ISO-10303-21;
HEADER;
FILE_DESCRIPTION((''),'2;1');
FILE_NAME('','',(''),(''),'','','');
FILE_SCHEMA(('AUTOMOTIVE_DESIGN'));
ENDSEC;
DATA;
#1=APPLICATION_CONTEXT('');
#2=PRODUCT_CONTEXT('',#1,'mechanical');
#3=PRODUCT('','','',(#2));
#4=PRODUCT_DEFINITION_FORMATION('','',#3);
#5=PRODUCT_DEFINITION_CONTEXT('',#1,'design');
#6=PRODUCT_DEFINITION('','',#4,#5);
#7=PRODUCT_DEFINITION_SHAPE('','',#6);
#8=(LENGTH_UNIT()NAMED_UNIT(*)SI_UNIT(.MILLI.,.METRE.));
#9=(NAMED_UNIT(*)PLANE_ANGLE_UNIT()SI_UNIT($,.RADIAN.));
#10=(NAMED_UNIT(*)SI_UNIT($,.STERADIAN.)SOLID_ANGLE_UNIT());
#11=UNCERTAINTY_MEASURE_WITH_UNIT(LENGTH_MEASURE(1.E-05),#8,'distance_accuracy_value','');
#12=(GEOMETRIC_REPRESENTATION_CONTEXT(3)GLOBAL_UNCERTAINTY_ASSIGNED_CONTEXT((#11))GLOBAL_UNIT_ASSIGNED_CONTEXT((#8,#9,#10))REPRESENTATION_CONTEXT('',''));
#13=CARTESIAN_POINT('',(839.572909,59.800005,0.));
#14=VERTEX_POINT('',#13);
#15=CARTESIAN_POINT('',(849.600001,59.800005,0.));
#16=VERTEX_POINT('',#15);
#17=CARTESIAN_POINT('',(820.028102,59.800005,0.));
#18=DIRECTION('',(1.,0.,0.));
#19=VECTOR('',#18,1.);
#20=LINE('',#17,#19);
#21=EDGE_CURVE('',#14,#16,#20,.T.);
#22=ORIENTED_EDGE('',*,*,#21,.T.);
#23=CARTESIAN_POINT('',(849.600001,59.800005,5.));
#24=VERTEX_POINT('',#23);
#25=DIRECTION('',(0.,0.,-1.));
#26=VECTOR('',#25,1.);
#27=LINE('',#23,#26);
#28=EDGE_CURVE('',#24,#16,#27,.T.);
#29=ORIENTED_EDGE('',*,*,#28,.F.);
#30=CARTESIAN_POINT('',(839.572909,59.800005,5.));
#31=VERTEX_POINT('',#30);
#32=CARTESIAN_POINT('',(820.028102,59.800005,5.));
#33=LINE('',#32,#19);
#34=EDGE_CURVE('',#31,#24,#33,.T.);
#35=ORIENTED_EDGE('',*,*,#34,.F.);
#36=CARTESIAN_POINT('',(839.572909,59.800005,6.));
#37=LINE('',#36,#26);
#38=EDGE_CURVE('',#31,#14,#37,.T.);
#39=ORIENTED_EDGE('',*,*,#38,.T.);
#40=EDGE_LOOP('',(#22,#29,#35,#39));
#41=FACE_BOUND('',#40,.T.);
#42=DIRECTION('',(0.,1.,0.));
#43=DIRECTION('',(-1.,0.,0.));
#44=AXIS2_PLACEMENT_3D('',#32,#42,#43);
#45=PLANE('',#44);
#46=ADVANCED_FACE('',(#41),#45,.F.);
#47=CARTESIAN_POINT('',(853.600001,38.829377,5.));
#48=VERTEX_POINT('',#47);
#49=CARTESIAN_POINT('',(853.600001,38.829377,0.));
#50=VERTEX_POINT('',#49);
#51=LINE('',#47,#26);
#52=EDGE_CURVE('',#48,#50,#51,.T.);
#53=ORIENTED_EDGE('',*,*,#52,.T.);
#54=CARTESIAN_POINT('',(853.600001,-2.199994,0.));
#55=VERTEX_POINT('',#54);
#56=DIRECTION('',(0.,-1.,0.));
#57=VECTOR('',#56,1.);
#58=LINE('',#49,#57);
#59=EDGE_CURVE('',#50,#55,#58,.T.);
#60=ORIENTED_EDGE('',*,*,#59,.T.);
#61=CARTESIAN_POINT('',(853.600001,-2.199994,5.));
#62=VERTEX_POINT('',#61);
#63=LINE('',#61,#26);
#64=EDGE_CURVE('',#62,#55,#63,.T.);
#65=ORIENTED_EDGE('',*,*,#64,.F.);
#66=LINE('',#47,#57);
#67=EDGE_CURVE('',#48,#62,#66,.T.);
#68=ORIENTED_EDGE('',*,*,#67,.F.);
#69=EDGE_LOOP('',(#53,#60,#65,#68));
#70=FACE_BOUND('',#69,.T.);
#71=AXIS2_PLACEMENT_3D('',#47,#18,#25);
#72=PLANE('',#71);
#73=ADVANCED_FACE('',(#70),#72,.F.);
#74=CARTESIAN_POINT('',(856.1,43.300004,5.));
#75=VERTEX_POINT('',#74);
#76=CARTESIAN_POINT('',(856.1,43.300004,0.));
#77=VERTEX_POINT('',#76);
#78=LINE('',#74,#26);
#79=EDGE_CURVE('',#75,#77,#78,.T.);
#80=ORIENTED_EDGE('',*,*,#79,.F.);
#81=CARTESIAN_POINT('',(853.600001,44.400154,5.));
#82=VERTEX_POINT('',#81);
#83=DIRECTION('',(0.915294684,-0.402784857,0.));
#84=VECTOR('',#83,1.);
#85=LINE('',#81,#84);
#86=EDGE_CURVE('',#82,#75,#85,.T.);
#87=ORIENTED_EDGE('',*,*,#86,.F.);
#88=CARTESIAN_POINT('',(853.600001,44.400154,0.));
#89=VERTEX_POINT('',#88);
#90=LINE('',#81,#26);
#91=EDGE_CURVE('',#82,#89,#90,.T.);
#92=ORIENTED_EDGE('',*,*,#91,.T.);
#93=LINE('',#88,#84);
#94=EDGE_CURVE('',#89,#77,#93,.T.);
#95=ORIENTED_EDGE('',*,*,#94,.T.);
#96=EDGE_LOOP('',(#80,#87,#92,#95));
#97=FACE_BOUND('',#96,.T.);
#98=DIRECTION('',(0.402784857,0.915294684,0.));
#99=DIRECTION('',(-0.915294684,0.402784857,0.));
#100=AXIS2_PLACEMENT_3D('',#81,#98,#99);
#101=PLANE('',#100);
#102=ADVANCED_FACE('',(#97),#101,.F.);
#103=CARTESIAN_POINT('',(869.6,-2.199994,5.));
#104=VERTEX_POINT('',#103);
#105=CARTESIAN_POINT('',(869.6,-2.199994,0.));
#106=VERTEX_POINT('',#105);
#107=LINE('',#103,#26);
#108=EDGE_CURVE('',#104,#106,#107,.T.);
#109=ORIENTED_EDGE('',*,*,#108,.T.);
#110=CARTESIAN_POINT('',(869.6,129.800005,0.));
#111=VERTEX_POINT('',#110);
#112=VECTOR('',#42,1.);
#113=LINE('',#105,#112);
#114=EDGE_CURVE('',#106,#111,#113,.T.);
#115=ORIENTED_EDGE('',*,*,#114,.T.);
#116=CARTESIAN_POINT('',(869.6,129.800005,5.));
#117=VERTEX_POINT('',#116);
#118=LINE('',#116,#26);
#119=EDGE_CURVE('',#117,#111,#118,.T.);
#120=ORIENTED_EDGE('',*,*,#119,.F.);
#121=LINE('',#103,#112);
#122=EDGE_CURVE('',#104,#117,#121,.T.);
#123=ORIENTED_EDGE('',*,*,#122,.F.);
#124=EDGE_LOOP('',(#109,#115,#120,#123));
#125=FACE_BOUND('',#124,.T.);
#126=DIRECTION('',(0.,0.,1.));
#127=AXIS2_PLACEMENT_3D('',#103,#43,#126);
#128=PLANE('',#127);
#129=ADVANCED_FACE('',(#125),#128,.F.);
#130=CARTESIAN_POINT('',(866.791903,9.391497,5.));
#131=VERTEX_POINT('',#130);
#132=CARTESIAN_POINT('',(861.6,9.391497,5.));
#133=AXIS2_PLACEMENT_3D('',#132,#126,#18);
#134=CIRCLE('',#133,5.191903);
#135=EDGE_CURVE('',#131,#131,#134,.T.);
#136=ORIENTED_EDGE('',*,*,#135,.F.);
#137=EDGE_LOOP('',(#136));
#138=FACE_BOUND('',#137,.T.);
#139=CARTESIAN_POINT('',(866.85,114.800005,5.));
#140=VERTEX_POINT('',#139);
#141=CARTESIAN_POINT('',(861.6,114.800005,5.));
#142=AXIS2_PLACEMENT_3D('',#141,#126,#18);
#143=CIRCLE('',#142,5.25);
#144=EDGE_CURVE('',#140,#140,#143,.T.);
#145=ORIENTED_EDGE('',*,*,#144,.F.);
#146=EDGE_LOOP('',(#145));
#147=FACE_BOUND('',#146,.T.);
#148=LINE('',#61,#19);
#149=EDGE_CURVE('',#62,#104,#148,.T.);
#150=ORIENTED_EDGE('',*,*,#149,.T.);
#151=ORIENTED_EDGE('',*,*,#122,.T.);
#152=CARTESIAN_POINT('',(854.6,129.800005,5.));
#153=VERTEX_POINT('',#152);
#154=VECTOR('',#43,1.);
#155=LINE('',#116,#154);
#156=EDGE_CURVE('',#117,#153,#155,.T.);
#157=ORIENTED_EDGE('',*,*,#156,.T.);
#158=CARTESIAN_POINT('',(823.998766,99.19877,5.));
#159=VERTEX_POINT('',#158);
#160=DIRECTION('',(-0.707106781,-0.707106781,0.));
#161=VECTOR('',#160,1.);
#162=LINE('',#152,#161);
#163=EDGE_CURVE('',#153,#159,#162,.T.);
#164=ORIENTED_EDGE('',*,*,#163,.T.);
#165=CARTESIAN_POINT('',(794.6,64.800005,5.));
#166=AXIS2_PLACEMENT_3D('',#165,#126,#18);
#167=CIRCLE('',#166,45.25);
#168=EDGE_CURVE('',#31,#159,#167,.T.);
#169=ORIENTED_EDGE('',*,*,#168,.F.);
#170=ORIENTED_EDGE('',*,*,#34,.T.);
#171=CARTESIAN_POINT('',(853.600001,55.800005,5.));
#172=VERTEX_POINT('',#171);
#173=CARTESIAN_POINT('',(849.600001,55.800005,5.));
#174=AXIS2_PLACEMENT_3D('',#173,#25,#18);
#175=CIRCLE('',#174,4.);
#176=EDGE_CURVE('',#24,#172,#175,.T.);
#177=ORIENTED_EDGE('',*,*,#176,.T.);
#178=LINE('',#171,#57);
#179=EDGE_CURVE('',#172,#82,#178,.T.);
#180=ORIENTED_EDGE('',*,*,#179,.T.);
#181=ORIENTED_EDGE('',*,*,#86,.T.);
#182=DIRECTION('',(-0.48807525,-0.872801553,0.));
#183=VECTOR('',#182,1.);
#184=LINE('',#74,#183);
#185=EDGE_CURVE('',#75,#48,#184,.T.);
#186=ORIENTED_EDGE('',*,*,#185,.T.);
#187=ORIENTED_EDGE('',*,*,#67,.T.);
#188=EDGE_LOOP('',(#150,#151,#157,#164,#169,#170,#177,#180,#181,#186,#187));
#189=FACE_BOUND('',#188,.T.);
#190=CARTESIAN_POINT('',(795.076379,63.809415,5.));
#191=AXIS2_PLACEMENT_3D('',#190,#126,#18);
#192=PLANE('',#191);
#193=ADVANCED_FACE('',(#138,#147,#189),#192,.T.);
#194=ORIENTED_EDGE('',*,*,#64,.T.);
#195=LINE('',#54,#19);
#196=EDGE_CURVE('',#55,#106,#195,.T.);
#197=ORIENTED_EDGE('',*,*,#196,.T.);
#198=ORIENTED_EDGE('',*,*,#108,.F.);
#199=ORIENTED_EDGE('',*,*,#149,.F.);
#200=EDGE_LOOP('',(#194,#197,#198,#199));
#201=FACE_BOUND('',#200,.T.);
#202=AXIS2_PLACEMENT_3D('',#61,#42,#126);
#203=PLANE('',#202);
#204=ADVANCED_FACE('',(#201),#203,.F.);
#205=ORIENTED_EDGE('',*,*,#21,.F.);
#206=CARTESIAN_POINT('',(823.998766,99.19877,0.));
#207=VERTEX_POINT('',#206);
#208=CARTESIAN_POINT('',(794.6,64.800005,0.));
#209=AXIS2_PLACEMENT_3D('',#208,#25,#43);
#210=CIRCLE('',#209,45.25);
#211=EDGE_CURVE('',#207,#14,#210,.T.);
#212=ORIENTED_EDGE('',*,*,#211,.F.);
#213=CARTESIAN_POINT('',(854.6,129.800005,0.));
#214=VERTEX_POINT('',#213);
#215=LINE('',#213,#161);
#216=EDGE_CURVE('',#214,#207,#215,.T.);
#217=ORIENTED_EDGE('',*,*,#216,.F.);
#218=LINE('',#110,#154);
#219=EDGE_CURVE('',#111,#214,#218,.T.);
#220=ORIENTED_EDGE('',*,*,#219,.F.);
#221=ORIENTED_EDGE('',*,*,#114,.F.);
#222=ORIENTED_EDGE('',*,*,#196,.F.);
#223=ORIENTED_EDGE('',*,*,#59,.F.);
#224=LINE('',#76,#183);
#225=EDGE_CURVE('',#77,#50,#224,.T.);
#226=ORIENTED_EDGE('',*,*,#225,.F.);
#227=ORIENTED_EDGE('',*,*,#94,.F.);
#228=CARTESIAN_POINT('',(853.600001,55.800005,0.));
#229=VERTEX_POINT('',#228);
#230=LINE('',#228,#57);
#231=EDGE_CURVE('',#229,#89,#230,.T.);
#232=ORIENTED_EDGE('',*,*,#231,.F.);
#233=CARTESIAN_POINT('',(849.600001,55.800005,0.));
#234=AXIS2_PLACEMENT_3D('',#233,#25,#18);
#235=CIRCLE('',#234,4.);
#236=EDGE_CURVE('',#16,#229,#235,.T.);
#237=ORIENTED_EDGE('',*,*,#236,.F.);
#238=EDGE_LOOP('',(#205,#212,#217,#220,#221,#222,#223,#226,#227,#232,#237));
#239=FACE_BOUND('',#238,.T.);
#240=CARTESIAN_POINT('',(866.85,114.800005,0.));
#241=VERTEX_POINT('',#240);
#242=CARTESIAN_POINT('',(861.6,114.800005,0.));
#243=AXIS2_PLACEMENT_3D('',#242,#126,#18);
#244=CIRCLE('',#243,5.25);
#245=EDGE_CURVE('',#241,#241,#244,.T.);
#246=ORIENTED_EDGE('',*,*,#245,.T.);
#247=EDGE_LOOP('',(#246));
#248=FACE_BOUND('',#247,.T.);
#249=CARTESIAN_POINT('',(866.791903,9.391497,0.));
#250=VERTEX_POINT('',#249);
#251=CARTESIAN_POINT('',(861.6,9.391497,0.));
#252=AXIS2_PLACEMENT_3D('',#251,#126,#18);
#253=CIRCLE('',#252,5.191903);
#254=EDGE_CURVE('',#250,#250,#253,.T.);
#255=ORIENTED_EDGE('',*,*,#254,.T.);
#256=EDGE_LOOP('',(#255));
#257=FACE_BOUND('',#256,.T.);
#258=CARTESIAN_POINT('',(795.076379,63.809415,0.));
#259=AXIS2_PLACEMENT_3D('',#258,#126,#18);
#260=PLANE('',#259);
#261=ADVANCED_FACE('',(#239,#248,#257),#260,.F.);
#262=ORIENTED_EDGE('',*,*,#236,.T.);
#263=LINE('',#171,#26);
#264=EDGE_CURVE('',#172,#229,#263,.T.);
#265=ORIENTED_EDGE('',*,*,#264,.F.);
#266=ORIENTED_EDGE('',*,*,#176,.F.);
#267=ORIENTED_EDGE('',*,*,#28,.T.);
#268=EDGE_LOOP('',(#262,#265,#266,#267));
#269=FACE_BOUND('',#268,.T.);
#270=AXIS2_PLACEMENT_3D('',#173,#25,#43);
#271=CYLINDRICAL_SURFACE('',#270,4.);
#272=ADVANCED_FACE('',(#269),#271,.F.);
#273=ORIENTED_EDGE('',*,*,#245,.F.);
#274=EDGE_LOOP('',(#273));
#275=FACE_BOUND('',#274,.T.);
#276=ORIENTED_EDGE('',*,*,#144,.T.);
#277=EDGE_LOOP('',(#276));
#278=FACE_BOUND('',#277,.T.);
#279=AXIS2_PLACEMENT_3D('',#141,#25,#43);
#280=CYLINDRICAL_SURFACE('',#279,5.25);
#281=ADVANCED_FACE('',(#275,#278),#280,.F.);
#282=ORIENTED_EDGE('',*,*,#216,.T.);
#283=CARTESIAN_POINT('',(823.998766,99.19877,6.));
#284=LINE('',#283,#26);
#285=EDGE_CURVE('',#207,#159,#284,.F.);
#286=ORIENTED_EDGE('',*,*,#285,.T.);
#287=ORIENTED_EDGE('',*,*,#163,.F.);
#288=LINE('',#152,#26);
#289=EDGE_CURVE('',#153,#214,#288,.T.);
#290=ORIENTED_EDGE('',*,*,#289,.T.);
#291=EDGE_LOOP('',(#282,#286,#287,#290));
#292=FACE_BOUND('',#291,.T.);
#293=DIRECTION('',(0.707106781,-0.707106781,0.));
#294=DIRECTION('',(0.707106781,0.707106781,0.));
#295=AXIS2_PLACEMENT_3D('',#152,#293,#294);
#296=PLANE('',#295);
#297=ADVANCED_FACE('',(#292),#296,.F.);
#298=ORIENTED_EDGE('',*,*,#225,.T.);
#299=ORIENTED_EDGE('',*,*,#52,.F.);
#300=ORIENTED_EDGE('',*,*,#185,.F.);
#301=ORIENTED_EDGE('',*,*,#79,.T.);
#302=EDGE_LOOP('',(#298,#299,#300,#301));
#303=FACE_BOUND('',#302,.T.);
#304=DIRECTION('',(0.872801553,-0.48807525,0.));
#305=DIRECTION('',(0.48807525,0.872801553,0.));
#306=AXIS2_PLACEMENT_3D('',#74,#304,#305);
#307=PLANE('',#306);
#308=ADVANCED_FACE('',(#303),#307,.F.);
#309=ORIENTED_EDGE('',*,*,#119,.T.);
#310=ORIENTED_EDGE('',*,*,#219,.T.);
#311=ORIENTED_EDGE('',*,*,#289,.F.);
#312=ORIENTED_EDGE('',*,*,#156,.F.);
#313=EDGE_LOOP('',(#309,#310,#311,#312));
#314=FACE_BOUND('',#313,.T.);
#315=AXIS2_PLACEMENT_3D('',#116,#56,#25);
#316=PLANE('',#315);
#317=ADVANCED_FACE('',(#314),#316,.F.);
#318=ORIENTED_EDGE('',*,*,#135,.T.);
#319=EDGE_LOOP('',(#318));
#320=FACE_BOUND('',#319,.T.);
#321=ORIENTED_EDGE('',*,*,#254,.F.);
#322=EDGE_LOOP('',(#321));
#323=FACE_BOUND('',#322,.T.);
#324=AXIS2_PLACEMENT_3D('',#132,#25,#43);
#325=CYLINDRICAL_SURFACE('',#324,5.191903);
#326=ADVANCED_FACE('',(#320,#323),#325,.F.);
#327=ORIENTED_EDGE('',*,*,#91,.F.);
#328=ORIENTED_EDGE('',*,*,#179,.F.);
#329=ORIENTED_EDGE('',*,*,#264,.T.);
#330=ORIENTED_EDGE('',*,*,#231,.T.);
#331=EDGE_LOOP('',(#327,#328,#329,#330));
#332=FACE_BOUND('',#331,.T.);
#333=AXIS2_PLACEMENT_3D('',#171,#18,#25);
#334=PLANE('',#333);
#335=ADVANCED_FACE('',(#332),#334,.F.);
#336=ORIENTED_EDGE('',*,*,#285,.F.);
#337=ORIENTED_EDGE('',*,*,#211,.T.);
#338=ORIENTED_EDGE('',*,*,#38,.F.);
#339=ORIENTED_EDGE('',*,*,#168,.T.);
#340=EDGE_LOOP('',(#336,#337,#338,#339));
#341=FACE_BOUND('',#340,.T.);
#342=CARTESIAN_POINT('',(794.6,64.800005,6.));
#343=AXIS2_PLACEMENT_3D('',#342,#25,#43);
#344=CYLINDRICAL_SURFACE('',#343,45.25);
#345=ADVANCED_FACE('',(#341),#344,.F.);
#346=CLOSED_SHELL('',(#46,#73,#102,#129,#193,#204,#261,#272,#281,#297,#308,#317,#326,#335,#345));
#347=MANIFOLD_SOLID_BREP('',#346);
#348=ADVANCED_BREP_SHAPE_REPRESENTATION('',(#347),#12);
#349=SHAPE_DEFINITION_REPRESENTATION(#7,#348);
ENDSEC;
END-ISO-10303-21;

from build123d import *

# Parameters (mm, degrees)
MODEL_R             = 5.191903136
MODEL_R_2           = 5.25
BOSS_EXTRUDE1_DEPTH = 5
BOSS_EXTRUDE2_DEPTH = 5
SKETCH3_R           = 45.25
CUT_EXTRUDE1_DEPTH  = 6


with BuildPart() as part:
    # Model → Boss-Extrude1 (new body)
    with BuildSketch(Plane.XY):
        with BuildLine():
            Line((869.6, 129.800004709), (854.6, 129.800004709))
            Line((854.6, 129.800004709), (854.6, 124.800004709))
            ThreePointArc((854.6, 124.800004709), (842.940279, 95.005240735), (815.123335737, 79.19718198))
            ThreePointArc((815.123335737, 79.19718198), (819.577050566, 70.004649675), (820.028101645, 59.800004709))
            Line((820.028101645, 59.800004709), (849.60000149, 59.800004709))
            ThreePointArc((849.60000149, 59.800004709), (852.428428615, 58.628431833), (853.60000149, 55.800004709))
            Line((853.60000149, 55.800004709), (853.60000149, 44.400154403))
            Line((853.60000149, 44.400154403), (856.099999799, 43.300004388))
            Line((856.099999799, 43.300004388), (853.60000149, 38.829377357))
            Line((853.60000149, 38.829377357), (853.60000149, -2.199993903))
            Line((853.60000149, -2.199993903), (869.6, -2.199993903))
            Line((869.6, -2.199993903), (869.6, 129.800004709))
        make_face()
        with Locations((861.6, 9.391497171)):
            Circle(MODEL_R, mode=Mode.SUBTRACT)
        with Locations((861.6, 114.800004709)):
            Circle(MODEL_R_2, mode=Mode.SUBTRACT)
    extrude(amount=BOSS_EXTRUDE1_DEPTH)

    # Sketch4 → Boss-Extrude2 (add)
    with BuildSketch(Plane.XY):
        Polygon((854.6, 129.800004709), (799.700462268, 74.900466976), (857.081865671, 78.451748184), (855.676639351, 119.436170701), (858.647890459, 128.484980891), align=None)
    extrude(amount=BOSS_EXTRUDE2_DEPTH)

    # Sketch3 → Cut-Extrude1 (cut)
    with BuildSketch(Plane(origin=(0, 0, 0), x_dir=(-1, 0, 0), z_dir=(0, 0, -1))):
        with Locations((-794.6, 64.800004709)):
            Circle(SKETCH3_R)
    extrude(amount=-CUT_EXTRUDE1_DEPTH, mode=Mode.SUBTRACT)


solid = part.part
